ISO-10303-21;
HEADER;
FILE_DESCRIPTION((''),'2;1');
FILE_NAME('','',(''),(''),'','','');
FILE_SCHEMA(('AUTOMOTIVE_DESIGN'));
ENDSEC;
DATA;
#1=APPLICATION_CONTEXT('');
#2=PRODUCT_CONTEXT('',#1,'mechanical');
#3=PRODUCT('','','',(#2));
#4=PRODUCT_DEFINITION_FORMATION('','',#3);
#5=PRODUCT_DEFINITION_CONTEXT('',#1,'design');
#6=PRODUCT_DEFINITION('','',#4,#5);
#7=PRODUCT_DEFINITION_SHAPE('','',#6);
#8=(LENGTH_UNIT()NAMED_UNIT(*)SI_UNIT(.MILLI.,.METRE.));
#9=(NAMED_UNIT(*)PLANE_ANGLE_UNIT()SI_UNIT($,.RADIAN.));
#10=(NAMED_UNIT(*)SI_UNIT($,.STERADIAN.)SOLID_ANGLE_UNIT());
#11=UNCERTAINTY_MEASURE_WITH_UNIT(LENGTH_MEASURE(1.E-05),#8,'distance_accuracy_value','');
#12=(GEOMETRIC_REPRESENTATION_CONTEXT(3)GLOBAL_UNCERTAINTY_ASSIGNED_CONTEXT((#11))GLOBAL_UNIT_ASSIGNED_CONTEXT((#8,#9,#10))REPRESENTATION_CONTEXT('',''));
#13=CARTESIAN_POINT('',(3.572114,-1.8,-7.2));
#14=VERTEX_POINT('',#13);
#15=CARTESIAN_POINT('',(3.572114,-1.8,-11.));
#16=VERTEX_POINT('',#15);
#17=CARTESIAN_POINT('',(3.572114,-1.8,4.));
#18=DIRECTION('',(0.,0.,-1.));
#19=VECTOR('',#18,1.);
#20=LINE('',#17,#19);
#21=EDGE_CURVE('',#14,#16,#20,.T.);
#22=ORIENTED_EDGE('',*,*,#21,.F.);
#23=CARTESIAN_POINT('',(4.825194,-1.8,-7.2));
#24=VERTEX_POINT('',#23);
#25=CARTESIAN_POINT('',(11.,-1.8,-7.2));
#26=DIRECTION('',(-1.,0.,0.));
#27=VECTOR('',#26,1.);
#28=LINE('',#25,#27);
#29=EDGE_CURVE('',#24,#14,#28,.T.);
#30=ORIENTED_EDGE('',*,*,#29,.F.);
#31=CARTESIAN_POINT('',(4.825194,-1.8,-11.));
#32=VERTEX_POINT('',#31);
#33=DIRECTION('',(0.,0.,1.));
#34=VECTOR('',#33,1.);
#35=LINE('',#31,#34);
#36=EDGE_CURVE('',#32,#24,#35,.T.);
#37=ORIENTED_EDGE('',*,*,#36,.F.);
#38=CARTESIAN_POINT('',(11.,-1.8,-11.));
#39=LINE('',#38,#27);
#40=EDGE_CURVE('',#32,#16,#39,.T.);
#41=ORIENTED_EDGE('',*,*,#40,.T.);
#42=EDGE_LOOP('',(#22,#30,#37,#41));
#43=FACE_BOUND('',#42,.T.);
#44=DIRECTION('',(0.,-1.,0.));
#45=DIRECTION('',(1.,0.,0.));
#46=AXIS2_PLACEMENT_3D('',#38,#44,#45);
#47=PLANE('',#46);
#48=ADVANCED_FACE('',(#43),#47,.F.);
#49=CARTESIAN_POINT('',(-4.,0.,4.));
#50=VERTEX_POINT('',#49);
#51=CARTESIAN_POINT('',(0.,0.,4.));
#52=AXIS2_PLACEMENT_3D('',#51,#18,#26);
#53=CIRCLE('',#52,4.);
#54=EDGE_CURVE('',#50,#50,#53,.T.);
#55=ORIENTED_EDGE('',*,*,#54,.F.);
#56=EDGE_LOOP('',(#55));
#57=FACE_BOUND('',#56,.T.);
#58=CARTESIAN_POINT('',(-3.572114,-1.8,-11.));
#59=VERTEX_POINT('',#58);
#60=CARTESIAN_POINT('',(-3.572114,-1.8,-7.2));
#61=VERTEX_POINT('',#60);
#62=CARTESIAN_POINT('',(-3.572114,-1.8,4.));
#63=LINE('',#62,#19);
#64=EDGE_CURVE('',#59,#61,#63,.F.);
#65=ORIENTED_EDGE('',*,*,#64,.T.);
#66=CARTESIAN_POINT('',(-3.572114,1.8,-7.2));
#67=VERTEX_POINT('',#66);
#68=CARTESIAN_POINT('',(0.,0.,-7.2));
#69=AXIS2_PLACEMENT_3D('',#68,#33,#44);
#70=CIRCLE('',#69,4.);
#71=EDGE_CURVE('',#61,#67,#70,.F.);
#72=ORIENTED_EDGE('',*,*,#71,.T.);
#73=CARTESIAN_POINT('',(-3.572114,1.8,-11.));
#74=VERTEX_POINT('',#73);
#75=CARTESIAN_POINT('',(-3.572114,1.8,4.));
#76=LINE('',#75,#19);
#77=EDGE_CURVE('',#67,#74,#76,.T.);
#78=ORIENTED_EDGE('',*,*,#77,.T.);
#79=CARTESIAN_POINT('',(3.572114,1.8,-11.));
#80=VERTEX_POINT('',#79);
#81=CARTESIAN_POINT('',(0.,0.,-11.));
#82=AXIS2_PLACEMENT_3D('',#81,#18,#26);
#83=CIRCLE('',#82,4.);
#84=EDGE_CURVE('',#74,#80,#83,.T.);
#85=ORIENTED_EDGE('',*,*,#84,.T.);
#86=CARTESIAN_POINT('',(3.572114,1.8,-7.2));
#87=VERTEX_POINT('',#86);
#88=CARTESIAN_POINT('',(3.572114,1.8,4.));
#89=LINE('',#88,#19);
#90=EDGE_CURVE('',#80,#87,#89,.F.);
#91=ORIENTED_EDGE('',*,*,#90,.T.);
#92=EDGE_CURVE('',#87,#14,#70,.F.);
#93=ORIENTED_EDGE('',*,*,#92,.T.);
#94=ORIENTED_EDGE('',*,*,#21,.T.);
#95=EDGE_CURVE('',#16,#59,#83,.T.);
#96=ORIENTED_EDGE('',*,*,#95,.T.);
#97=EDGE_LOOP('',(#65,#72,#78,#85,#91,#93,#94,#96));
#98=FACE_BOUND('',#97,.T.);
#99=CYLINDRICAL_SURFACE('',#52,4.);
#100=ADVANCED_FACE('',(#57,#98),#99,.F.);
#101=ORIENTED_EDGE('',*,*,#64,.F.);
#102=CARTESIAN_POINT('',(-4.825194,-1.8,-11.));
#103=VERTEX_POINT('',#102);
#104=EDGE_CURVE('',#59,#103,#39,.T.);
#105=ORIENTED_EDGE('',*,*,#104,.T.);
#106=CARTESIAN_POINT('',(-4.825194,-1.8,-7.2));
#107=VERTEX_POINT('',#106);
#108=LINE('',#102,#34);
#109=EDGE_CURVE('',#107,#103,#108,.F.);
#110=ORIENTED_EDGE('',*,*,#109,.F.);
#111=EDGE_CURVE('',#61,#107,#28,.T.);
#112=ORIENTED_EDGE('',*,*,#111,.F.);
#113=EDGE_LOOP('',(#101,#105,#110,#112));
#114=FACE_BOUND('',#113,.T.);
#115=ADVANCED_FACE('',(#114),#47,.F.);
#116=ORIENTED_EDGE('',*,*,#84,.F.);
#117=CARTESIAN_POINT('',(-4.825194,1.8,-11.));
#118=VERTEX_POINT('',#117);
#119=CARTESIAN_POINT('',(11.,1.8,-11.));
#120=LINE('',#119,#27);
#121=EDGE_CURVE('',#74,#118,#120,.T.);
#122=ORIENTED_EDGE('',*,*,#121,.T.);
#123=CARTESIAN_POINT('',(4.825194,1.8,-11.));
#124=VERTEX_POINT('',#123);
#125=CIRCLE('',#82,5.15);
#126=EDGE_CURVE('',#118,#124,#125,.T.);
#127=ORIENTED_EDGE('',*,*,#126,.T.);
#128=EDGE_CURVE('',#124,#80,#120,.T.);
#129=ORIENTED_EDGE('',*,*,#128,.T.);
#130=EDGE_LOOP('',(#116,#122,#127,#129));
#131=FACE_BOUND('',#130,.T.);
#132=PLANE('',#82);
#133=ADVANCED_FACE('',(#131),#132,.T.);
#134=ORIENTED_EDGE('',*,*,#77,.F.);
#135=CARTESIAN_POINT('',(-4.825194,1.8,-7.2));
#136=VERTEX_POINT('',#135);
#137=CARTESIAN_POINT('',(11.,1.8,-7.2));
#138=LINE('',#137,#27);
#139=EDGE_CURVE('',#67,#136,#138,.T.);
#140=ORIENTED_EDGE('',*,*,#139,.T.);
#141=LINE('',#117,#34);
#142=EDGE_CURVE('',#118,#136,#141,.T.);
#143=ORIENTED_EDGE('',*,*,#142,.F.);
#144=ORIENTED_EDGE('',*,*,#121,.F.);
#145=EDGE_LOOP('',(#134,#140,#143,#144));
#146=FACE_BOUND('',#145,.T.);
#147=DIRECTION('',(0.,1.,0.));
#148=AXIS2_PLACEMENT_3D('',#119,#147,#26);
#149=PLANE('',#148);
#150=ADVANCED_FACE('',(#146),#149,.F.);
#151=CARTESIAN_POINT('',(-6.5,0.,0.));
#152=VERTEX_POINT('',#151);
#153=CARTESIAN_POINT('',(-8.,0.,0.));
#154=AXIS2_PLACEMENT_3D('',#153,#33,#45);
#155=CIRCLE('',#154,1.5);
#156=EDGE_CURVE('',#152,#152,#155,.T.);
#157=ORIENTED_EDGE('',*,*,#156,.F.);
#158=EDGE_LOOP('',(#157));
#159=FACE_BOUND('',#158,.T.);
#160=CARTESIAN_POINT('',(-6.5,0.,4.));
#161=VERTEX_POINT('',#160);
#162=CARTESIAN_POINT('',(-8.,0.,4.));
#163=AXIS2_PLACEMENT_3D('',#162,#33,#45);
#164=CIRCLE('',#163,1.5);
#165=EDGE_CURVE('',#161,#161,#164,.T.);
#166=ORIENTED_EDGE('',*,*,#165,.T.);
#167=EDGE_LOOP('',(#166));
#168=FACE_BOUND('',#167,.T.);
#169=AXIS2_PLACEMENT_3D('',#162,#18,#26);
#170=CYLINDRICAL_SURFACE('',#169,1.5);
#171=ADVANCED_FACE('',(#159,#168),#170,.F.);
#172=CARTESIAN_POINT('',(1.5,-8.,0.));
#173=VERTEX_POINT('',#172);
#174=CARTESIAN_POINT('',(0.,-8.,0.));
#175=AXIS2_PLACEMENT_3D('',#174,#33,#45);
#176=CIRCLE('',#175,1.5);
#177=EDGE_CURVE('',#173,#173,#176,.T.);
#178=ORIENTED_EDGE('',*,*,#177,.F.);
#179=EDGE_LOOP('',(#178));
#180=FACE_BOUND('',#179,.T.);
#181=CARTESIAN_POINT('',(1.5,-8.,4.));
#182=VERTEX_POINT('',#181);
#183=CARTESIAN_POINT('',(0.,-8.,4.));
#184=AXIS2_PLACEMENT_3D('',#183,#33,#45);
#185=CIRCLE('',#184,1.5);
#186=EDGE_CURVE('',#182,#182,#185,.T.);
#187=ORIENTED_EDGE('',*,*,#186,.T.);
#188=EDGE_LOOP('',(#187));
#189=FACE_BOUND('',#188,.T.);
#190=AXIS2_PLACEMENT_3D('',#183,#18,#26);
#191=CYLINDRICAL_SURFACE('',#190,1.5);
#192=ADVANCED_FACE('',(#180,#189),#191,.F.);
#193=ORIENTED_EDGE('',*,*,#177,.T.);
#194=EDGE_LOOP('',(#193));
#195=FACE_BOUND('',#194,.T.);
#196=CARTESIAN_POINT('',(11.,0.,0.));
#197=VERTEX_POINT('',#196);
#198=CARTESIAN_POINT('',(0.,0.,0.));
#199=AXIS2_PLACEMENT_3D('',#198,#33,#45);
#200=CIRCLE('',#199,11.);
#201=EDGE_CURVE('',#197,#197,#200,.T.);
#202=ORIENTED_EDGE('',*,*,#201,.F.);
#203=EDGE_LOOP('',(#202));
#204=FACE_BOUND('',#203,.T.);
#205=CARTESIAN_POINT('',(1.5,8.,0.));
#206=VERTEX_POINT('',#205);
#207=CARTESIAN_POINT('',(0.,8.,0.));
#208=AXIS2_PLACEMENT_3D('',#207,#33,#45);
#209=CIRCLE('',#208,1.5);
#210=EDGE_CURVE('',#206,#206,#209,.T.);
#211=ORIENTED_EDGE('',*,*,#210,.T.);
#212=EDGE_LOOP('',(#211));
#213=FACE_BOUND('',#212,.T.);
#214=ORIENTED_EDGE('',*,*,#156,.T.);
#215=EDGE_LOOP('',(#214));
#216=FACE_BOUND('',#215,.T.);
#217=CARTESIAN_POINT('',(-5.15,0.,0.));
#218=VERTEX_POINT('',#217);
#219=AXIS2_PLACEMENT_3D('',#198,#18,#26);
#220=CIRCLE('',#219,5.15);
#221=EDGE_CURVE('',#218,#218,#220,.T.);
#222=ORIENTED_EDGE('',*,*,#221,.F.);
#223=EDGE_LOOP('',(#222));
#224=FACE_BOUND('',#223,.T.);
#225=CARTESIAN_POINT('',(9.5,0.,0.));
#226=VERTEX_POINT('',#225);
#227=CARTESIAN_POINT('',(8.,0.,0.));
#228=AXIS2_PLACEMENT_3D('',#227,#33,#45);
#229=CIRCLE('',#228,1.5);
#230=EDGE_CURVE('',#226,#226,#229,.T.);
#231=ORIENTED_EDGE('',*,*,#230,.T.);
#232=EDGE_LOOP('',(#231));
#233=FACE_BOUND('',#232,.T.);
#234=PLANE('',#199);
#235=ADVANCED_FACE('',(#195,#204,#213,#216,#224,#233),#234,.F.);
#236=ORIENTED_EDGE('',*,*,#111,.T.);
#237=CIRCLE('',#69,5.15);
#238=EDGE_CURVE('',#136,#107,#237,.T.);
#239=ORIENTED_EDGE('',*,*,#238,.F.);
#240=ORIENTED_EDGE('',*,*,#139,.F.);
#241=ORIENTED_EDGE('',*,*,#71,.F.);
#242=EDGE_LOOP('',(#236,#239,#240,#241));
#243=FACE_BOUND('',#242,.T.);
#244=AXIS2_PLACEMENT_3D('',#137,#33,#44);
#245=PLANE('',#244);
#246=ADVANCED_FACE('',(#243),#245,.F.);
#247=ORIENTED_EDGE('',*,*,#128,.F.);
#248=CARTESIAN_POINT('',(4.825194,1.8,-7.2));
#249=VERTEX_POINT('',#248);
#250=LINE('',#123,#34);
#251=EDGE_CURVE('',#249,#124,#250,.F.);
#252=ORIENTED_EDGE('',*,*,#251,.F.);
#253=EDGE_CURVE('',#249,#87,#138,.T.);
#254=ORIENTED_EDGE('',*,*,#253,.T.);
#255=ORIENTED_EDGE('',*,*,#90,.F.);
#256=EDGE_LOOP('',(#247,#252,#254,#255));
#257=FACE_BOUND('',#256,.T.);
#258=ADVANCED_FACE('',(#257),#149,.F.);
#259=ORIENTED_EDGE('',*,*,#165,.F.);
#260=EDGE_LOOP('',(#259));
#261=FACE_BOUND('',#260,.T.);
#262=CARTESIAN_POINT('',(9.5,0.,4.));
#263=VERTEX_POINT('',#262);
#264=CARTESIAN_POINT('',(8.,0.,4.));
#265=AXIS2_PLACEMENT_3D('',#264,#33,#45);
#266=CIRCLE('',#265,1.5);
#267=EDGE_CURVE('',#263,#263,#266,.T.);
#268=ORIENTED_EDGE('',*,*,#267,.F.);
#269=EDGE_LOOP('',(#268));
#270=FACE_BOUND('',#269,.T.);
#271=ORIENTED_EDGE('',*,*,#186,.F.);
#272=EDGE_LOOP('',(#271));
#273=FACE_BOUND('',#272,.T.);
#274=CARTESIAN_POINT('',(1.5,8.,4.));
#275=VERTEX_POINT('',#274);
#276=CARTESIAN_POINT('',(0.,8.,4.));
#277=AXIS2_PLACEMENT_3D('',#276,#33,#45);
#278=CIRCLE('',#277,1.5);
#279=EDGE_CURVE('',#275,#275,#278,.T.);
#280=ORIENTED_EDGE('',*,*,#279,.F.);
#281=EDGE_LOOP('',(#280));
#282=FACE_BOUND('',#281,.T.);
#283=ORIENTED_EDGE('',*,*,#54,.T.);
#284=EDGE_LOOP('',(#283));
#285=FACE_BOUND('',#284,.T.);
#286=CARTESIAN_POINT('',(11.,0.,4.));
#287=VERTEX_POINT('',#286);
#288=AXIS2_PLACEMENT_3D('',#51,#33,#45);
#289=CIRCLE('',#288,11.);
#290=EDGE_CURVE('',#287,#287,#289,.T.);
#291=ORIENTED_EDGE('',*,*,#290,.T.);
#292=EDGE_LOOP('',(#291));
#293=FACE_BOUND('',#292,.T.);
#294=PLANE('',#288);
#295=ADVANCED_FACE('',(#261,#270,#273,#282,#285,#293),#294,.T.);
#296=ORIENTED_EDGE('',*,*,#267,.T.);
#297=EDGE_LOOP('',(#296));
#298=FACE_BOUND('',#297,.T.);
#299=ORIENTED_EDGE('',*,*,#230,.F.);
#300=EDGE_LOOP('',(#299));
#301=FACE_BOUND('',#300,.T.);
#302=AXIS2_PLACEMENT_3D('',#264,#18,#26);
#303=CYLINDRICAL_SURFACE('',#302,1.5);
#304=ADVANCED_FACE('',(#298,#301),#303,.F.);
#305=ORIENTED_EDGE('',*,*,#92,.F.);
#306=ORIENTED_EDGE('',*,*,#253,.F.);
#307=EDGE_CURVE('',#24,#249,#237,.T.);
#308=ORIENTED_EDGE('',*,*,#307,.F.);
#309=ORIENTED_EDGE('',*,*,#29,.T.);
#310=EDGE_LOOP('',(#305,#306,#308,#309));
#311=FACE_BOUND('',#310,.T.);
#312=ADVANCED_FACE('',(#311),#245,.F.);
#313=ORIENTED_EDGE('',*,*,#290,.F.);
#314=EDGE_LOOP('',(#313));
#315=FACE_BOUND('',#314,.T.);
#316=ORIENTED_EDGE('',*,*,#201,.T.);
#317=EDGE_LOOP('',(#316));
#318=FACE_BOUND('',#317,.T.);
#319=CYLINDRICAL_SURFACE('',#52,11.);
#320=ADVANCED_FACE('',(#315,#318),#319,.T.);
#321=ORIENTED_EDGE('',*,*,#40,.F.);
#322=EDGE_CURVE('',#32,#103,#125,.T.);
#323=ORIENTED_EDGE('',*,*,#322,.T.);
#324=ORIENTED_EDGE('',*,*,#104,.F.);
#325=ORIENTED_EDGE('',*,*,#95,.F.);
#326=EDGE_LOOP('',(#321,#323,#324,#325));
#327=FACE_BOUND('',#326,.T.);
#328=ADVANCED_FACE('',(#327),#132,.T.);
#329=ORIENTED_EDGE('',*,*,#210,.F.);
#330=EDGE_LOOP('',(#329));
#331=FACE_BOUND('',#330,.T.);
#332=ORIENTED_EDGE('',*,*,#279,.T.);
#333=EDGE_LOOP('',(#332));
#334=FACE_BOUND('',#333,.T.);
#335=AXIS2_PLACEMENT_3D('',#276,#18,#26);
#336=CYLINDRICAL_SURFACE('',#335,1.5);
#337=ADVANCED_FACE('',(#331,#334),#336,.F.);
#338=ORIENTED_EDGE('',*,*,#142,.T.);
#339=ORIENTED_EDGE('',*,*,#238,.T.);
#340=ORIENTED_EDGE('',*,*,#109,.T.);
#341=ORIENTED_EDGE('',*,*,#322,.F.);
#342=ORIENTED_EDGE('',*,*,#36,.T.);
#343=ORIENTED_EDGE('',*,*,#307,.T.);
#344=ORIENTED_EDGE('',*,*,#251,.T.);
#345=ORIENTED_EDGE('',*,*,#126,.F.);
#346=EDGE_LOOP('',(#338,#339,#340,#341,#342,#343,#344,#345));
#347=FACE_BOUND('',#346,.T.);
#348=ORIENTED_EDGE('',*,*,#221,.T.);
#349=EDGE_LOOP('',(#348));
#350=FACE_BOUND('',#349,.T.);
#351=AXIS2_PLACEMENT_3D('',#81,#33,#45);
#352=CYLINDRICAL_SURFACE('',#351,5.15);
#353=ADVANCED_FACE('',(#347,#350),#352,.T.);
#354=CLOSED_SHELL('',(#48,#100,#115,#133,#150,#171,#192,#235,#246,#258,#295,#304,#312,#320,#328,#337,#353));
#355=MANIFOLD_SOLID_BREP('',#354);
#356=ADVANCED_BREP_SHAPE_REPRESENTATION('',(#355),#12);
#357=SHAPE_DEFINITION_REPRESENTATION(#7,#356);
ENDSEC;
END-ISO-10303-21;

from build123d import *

# Parameters (mm, degrees)
SKETCH_1_R               = 11
SKETCH_1_R_2             = 1.5
EXTRUDE_1_DEPTH          = 4
SKETCH_2_R               = 5.15
EXTRUDE_2_DEPTH          = 11
SKETCH_3_R               = 4
CUT_EXTRUDE_1_DEPTH      = 1
CUT_EXTRUDE_1_DEPTH_BACK = 16
SKETCH_6_W               = 3.8
SKETCH_6_H               = 3.6
CUT_EXTRUDE_2_DEPTH      = 12
CUT_EXTRUDE_2_DEPTH_BACK = 12


with BuildPart() as part:
    # 草图1 → 凸台-拉伸1 (new body)
    with BuildSketch(Plane.XY):
        Circle(SKETCH_1_R)
        with Locations((-8, 0)):
            Circle(SKETCH_1_R_2, mode=Mode.SUBTRACT)
        with Locations((0, 8)):
            Circle(SKETCH_1_R_2, mode=Mode.SUBTRACT)
        with Locations((8, 0)):
            Circle(SKETCH_1_R_2, mode=Mode.SUBTRACT)
        with Locations((0, -8)):
            Circle(SKETCH_1_R_2, mode=Mode.SUBTRACT)
    extrude(amount=EXTRUDE_1_DEPTH)

    # 草图2 → 凸台-拉伸2 (add)
    with BuildSketch(Plane(origin=(0, 0, 0), x_dir=(-1, 0, 0), z_dir=(0, 0, -1))):
        Circle(SKETCH_2_R)
    extrude(amount=EXTRUDE_2_DEPTH)

    # 草图3 → 切除-拉伸1 (cut, two sides)
    with BuildSketch(Plane(origin=(0, 0, -11), x_dir=(-1, 0, 0), z_dir=(0, 0, -1))) as cut_extrude_1_sk:
        Circle(SKETCH_3_R)
    extrude(amount=CUT_EXTRUDE_1_DEPTH, mode=Mode.SUBTRACT)
    extrude(cut_extrude_1_sk.sketch, amount=-CUT_EXTRUDE_1_DEPTH_BACK, mode=Mode.SUBTRACT)

    # 草图6 → 切除-拉伸2 (cut, two sides)
    with BuildSketch(Plane.ZY) as cut_extrude_2_sk:
        with Locations((-9.1, 0)):
            Rectangle(SKETCH_6_W, SKETCH_6_H)
    extrude(amount=CUT_EXTRUDE_2_DEPTH, mode=Mode.SUBTRACT)
    extrude(cut_extrude_2_sk.sketch, amount=-CUT_EXTRUDE_2_DEPTH_BACK, mode=Mode.SUBTRACT)


solid = part.part
